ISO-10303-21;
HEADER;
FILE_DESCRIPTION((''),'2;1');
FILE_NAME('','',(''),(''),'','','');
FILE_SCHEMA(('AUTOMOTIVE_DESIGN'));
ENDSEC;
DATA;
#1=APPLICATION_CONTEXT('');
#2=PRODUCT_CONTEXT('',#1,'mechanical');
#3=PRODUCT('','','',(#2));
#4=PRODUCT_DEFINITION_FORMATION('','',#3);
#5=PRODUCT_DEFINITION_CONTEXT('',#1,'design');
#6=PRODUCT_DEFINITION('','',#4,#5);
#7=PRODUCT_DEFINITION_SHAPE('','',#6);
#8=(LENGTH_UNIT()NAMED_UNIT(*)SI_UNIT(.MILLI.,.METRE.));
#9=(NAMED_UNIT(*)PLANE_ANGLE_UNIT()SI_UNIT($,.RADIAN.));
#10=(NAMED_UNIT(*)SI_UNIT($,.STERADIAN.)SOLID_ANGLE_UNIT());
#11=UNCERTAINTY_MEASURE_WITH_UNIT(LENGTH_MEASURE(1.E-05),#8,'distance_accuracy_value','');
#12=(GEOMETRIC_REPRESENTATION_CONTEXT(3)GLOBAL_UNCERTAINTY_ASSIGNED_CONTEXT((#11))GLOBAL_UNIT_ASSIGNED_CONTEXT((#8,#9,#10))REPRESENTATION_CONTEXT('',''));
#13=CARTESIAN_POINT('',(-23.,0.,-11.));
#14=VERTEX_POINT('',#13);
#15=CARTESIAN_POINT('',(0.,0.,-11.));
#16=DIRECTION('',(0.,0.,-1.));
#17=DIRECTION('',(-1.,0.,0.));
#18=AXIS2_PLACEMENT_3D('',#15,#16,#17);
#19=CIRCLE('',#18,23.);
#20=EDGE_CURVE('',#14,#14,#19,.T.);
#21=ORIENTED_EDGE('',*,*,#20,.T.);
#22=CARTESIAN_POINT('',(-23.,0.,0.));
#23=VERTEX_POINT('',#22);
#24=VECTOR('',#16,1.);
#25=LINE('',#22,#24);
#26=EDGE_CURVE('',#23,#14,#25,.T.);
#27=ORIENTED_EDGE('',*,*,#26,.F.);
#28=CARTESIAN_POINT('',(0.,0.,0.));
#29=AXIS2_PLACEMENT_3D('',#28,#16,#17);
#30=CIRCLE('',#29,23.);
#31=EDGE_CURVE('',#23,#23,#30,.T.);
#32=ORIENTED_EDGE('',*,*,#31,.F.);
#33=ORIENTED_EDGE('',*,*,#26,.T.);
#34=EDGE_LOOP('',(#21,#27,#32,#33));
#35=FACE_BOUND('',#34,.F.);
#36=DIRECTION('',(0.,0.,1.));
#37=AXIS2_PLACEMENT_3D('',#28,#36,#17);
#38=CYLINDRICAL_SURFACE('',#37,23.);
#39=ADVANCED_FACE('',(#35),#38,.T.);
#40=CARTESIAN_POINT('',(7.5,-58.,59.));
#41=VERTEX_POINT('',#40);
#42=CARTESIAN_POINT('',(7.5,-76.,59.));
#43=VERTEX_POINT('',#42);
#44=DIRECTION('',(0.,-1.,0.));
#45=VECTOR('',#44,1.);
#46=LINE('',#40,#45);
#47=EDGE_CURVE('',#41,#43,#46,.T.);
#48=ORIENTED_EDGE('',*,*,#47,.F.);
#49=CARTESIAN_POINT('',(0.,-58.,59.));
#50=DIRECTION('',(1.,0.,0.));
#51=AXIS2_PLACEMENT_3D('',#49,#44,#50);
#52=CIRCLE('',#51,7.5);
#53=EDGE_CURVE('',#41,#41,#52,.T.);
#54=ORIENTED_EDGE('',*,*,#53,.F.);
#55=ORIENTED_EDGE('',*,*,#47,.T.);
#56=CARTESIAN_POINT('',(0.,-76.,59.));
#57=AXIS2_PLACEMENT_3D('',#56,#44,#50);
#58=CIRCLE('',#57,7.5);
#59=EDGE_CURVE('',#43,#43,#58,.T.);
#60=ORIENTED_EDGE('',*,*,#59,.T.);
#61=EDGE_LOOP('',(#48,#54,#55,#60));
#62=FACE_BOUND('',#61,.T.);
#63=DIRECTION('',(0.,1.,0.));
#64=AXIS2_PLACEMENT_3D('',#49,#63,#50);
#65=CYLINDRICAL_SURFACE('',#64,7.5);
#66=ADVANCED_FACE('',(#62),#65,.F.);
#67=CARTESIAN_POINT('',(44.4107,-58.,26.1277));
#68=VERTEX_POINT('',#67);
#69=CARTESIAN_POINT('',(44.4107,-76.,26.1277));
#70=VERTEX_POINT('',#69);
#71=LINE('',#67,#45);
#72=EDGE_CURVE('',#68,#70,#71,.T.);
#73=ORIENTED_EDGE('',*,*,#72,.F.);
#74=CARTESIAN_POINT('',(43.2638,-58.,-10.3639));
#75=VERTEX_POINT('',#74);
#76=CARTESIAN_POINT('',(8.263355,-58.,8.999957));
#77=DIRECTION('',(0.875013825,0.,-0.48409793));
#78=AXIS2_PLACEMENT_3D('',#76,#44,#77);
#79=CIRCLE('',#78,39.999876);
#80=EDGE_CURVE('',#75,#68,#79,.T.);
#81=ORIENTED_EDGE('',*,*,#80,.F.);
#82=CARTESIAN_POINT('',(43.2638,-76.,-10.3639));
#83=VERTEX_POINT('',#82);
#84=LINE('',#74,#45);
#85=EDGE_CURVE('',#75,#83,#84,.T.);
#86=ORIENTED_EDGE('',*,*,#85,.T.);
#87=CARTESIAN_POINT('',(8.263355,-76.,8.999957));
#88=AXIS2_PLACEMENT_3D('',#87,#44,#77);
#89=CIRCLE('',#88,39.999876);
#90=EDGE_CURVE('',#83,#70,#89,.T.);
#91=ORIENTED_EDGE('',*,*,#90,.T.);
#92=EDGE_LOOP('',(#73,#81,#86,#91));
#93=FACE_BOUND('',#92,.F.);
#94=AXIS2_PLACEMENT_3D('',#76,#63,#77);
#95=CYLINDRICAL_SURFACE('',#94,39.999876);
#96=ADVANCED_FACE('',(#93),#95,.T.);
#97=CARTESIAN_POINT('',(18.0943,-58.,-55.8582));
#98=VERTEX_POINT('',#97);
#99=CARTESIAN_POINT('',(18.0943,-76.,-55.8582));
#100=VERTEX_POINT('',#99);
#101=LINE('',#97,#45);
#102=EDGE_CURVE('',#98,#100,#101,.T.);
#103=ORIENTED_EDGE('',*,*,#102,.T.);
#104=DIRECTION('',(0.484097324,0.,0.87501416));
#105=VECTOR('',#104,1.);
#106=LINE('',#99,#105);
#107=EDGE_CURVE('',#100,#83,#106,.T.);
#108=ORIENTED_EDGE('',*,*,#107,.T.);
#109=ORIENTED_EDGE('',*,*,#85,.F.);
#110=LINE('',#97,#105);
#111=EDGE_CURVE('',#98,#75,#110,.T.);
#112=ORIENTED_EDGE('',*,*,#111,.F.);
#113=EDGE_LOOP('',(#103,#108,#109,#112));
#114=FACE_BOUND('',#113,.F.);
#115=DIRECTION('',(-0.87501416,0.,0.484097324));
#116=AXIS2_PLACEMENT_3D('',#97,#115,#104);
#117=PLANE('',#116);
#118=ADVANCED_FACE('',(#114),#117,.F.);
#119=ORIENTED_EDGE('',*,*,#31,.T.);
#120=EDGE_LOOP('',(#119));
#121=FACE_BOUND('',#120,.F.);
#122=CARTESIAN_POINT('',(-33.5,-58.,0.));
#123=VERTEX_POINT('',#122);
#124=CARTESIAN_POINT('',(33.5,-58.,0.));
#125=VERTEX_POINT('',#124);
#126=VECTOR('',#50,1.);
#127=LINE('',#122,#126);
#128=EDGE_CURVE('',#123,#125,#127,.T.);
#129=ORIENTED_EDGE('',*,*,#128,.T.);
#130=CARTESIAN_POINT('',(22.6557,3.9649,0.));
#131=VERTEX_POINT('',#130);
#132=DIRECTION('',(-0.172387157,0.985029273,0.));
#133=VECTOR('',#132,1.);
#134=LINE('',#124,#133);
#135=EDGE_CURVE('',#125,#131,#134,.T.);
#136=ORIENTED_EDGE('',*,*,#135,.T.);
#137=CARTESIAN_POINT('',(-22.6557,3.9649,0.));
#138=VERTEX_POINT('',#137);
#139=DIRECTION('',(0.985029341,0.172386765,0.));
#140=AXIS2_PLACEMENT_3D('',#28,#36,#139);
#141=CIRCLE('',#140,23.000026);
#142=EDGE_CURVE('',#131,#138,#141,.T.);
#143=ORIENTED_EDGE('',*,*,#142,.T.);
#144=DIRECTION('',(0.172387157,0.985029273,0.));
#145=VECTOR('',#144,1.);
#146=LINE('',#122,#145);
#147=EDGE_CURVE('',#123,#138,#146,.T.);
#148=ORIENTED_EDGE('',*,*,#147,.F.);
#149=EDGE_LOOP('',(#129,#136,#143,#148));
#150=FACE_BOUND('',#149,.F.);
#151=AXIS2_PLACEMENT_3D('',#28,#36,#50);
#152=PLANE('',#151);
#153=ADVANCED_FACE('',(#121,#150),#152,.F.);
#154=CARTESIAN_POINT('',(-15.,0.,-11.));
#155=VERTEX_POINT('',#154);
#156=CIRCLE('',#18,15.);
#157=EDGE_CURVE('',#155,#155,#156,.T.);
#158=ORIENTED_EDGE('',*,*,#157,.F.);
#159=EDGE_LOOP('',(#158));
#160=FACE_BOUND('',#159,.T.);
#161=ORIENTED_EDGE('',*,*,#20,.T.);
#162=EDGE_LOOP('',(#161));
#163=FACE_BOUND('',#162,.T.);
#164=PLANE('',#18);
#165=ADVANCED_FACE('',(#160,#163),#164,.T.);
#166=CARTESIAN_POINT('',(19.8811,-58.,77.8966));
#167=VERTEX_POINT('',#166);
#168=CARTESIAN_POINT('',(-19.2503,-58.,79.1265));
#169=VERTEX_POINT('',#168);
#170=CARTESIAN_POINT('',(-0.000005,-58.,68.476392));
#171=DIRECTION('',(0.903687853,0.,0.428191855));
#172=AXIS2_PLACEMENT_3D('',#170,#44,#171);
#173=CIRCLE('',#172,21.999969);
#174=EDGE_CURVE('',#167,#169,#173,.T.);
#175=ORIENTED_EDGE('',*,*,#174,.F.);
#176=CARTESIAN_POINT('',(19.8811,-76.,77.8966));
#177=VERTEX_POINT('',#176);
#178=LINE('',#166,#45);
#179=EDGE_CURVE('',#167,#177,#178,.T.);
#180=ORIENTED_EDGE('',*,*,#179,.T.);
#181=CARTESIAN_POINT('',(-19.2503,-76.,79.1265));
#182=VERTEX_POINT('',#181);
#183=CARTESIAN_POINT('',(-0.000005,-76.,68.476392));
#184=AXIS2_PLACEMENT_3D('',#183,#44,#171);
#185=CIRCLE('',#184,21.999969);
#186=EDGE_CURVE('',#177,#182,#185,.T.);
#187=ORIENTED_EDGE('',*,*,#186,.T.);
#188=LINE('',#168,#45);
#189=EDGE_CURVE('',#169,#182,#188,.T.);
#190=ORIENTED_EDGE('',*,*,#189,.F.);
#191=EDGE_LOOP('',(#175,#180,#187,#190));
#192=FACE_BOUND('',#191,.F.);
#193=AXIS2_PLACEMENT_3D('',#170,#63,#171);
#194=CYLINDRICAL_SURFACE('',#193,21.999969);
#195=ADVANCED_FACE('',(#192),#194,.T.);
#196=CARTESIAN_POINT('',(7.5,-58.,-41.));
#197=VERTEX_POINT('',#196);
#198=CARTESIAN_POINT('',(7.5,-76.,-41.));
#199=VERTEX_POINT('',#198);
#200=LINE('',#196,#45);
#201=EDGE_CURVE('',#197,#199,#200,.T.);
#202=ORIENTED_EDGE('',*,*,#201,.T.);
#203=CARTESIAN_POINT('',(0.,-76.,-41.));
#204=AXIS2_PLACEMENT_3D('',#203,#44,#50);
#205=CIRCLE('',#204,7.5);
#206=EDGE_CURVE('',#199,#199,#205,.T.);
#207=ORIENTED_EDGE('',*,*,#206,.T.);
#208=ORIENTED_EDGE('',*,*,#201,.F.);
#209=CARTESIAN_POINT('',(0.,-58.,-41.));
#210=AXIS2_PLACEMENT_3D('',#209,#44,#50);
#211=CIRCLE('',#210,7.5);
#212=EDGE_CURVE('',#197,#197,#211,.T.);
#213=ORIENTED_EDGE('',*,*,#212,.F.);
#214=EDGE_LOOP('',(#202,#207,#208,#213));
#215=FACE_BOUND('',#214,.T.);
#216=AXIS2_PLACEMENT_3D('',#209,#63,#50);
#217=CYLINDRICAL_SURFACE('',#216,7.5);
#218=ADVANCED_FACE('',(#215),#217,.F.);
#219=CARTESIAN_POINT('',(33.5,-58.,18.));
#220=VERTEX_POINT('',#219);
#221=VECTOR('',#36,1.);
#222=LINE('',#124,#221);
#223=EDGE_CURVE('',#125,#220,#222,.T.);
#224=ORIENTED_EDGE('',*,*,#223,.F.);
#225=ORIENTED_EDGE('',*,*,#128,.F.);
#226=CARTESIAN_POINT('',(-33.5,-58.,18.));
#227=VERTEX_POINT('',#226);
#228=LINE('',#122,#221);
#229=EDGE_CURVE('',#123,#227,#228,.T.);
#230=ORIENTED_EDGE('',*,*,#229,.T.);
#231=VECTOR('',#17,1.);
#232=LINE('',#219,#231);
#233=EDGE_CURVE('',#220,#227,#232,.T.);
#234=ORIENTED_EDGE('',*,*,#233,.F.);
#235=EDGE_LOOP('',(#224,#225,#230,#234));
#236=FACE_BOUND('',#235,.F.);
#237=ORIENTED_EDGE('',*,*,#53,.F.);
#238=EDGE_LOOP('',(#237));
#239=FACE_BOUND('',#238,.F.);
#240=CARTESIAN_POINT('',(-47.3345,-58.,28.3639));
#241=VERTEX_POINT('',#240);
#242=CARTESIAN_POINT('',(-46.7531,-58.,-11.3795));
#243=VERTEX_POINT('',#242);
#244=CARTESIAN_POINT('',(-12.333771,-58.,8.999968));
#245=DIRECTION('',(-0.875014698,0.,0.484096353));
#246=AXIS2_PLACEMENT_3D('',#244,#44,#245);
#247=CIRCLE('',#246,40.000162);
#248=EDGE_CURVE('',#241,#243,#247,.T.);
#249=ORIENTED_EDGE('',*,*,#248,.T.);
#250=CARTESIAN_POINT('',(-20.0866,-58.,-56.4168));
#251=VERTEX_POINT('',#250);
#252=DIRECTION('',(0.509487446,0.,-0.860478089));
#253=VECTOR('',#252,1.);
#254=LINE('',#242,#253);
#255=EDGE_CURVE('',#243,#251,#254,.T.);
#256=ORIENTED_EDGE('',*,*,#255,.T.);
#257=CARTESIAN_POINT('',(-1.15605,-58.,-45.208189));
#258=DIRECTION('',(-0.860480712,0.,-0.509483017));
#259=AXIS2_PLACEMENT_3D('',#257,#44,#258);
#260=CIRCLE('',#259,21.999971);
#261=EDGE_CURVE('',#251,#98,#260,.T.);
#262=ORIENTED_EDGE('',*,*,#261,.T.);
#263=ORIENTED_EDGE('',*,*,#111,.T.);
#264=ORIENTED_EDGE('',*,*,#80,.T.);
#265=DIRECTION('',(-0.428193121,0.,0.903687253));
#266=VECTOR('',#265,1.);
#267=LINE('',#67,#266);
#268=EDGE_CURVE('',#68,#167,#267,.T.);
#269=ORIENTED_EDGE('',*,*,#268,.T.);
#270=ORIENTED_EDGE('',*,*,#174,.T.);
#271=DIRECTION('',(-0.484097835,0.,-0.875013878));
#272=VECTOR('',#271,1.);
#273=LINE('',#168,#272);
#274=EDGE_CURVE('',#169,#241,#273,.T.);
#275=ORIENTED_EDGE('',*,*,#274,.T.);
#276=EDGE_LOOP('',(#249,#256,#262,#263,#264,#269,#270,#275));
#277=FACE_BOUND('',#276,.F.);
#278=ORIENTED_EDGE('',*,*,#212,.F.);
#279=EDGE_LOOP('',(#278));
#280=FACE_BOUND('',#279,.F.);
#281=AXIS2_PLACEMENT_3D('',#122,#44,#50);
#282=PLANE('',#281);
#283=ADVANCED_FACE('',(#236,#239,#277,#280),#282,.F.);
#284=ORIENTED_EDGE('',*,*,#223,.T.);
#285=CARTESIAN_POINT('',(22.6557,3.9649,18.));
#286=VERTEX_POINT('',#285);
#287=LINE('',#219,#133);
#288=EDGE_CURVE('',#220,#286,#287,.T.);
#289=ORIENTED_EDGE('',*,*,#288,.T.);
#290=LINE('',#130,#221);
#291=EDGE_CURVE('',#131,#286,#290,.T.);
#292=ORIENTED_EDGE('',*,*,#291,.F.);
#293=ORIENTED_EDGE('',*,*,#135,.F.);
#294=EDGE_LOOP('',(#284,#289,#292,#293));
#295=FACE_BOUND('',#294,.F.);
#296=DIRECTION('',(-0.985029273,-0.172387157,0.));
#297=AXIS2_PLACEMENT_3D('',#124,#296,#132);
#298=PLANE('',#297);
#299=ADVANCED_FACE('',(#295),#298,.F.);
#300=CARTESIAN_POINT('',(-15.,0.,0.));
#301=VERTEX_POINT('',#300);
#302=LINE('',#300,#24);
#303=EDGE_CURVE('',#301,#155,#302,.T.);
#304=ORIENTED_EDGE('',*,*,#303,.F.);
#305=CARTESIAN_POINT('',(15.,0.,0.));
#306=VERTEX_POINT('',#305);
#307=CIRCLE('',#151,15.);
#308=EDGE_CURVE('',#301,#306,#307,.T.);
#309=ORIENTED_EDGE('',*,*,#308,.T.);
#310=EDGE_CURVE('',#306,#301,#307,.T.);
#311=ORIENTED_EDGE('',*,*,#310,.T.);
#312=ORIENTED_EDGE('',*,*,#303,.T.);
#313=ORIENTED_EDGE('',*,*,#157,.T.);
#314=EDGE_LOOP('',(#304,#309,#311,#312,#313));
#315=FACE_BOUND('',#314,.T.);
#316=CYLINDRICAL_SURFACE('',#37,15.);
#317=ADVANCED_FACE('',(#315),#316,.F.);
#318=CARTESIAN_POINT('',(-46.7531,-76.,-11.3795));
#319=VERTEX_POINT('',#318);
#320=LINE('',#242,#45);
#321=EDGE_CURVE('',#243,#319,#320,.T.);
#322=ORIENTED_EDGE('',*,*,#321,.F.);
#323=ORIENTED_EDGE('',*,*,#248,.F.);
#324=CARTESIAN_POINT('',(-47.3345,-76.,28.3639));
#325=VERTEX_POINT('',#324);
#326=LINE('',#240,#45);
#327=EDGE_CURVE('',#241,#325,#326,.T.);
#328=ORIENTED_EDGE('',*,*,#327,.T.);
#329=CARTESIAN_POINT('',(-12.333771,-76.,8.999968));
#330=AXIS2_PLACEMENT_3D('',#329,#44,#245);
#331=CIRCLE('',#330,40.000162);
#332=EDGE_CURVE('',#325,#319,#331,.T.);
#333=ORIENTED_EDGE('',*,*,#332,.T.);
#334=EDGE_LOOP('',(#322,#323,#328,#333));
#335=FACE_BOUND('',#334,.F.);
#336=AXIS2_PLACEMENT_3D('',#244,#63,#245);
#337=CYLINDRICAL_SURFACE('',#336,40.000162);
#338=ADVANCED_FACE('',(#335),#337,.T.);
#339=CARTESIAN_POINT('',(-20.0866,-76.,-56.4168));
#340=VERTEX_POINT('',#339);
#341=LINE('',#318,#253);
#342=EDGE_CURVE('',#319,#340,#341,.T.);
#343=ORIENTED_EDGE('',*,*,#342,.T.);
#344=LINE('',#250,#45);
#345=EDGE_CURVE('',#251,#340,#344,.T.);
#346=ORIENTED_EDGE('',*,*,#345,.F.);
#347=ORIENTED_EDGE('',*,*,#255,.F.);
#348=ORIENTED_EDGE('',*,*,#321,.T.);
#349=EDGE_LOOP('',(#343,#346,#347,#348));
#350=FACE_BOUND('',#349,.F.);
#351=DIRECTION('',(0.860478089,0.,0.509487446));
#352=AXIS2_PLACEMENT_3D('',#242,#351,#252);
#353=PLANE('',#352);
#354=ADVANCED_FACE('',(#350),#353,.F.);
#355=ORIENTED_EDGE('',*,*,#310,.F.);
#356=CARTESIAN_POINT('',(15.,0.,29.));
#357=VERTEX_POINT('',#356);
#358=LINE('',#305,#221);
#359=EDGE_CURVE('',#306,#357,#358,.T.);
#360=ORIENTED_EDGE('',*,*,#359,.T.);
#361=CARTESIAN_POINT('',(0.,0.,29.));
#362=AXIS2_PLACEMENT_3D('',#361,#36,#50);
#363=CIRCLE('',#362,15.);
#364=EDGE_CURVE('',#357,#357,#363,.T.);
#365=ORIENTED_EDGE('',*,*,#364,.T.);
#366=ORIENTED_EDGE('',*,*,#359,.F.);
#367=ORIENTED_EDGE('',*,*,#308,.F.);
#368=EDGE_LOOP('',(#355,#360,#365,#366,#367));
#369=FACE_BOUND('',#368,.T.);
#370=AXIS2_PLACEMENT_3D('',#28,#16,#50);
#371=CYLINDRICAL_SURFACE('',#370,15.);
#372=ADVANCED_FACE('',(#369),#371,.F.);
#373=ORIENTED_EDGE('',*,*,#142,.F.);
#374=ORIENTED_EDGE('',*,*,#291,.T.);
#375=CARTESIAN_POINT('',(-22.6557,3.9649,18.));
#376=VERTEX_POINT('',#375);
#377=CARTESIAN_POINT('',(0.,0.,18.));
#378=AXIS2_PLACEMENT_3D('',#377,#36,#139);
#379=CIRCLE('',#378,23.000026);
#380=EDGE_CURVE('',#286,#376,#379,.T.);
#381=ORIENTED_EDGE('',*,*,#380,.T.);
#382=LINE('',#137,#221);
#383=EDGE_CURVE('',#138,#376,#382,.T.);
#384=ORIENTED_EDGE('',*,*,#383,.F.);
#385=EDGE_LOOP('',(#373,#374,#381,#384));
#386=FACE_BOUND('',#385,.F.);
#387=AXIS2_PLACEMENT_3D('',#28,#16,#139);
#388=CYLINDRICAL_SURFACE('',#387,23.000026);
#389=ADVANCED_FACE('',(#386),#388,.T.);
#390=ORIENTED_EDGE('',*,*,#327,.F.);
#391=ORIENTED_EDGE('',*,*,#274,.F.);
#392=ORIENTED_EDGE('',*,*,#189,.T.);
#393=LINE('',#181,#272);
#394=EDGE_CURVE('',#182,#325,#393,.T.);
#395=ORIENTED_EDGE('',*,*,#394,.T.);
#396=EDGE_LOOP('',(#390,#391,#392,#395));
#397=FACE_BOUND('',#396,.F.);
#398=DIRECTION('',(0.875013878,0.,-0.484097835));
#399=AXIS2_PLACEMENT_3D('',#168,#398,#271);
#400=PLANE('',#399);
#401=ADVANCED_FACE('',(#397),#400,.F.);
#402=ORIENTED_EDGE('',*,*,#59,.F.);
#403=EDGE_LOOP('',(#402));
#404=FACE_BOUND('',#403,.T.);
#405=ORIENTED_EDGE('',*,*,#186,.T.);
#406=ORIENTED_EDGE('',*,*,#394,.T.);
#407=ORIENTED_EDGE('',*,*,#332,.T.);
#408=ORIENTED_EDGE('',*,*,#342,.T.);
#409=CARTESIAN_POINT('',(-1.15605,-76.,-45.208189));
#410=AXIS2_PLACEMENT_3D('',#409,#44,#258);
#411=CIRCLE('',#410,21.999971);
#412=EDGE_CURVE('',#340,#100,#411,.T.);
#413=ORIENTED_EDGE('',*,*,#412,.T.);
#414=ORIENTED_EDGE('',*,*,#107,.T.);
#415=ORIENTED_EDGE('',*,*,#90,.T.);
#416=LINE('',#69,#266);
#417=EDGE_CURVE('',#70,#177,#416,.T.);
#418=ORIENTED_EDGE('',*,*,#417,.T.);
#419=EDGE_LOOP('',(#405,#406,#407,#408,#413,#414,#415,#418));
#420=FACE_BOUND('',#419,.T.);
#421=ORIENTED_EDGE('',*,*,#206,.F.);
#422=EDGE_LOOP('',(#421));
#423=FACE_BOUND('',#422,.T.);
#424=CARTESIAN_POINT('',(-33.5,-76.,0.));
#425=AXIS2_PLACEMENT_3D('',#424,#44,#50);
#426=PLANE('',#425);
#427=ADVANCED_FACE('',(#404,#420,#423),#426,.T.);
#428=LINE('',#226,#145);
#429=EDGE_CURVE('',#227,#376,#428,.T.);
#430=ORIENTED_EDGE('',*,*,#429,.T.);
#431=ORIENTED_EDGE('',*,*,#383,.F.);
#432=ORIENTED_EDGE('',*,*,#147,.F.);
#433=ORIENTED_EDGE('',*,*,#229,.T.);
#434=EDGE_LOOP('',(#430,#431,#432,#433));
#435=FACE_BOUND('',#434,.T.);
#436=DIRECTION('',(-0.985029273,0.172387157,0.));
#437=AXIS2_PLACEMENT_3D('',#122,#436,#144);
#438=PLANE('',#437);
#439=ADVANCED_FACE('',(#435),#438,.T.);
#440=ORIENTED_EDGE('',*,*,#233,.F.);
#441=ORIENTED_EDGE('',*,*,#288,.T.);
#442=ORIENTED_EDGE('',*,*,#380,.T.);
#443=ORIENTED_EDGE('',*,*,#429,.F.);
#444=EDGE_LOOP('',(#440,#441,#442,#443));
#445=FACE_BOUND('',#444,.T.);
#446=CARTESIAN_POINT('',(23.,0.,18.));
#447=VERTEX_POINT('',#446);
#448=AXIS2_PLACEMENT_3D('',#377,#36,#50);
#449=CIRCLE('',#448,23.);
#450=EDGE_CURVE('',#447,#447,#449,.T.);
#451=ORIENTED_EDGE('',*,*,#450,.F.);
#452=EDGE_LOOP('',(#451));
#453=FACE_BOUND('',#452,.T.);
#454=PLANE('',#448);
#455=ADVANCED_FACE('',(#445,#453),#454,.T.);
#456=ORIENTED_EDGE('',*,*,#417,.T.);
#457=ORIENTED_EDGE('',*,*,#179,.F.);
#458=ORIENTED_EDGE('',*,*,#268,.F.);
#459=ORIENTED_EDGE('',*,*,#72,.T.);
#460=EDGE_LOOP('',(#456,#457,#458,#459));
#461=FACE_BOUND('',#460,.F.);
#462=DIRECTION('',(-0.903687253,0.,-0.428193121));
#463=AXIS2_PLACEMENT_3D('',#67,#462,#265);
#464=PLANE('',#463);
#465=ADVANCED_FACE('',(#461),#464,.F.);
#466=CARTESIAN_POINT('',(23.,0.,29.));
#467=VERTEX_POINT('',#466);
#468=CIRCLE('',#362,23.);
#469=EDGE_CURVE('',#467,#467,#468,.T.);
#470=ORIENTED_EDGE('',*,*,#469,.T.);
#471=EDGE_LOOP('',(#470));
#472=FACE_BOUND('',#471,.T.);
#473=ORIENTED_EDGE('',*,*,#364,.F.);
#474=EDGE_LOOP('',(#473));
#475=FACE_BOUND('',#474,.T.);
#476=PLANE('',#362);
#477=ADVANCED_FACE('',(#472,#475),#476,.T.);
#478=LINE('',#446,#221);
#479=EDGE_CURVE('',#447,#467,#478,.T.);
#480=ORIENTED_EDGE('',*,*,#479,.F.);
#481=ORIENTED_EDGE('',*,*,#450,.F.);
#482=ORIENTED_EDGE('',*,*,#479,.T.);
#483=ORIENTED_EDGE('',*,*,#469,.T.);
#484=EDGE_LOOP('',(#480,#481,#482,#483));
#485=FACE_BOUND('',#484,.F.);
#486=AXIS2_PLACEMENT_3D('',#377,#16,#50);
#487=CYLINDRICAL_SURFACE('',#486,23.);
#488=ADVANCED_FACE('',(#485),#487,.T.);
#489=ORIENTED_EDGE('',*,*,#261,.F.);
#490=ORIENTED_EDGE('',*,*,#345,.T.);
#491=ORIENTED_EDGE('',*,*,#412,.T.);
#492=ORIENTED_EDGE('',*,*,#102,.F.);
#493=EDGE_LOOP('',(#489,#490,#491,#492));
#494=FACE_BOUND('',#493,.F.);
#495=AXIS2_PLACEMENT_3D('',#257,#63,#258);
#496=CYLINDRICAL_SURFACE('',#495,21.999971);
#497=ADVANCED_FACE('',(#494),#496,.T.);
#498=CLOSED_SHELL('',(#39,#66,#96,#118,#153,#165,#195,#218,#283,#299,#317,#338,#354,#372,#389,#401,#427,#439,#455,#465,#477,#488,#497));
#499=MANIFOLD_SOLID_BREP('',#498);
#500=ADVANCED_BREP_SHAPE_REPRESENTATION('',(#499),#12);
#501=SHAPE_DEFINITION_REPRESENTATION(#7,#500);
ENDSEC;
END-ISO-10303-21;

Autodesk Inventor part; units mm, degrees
ref_plane "YZ Plane" through (0, 0, 0) normal (1, 0, 0) x (0, 1, 0)
ref_plane "XZ Plane" through (0, 0, 0) normal (0, 1, 0) x (-1, 0, 0)
ref_plane "XY Plane" through (0, 0, 0) normal (0, 0, 1) x (1, 0, 0)
sketch "Sketch1" plane through (0, 0, 0) normal (0, 0, 1) x (1, 0, 0)
  arc A0 (22.6557, 3.9649) -> (-22.6557, 3.9649) centre (0, 0) ccw
  line L0 (-33.5, -58) -> (33.5, -58)
  line L1 (0, -58) -> (0, -55)
  line L2 (-33.5, -58) -> (-22.6557, 3.9649)
  line L3 (33.5, -58) -> (22.6557, 3.9649)
  circle A1 centre (0, 0) radius 15
  dimension "d0" = 46
  dimension "d1" = 67
  dimension "d2" = 58
  dimension "d3" = 0
  dimension "d4" = 30
extrude "Extrusion1" add sketch "Sketch1" along normal blind 18
sketch "Sketch2" plane through (0, 0, 18) normal (0, 0, 1) x (1, 0, 0)
  circle A0 centre (0, 0) radius 23
  circle A1 centre (0, 0) radius 15
  dimension "d7" = 46
  dimension "d8" = 30
extrude "Extrusion2" add sketch "Sketch2" along normal blind 11
sketch "Sketch3" plane through (0, 0, 0) normal (0, 0, -1) x (-1, 0, 0)
  circle A0 centre (0, 0) radius 23
  circle A1 centre (0, 0) radius 15
  dimension "d11" = 46
  dimension "d12" = 30
extrude "Extrusion3" add sketch "Sketch3" along normal blind 11
sketch "Sketch4" plane through (-33.5, -58, 0) normal (0, -1, 0) x (1, 0, 0)
  circle A0 centre (33.5, 59) radius 7.5
  circle A1 centre (33.5, -41) radius 7.5
  line L0 (0, 0) -> (0, 18) projected
  line L1 (14.2497, 79.1265) -> (-13.8345, 28.3639)
  line L2 (-13.2531, -11.3795) -> (13.4134, -56.4168)
  line L3 (51.5943, -55.8582) -> (76.7638, -10.3639)
  line L4 (77.9107, 26.1277) -> (53.3811, 77.8966)
  arc A2 (53.3811, 77.8966) -> (14.2497, 79.1265) centre (33.5, 68.4764) ccw
  arc A3 (76.7638, -10.3639) -> (77.9107, 26.1277) centre (41.7632, 9) ccw
  arc A4 (-13.8345, 28.3639) -> (-13.2531, -11.3795) centre (21.1661, 9) ccw
  arc A5 (13.4134, -56.4168) -> (51.5943, -55.8582) centre (32.344, -45.2081) ccw
  line L5 (10.5, 18) -> (56.5, 18) projected
  line L6 (33.5, 18) -> (33.5, 0)
  line L7 (67, 0) -> (67, 18) projected
  line L8 (67, 9) -> (0, 9)
  line L9 (41.7632, 9) -> (21.1661, 9)
  point P0 (56.1557, 18)
  point P1 (10.8443, 18)
  dimension "d15" = 15
  dimension "d16" = 15
  dimension "d17" = 100
  dimension "d19" = 22
  dimension "d21" = 40
  dimension "d24" = 40
  dimension "d25" = 0
  dimension "d26" = 22
  dimension "d28" = 0
  dimension "d29" = 0
extrude "Extrusion4" add sketch "Sketch4" along normal blind 18
properties part number "HW 6 Part 2"
